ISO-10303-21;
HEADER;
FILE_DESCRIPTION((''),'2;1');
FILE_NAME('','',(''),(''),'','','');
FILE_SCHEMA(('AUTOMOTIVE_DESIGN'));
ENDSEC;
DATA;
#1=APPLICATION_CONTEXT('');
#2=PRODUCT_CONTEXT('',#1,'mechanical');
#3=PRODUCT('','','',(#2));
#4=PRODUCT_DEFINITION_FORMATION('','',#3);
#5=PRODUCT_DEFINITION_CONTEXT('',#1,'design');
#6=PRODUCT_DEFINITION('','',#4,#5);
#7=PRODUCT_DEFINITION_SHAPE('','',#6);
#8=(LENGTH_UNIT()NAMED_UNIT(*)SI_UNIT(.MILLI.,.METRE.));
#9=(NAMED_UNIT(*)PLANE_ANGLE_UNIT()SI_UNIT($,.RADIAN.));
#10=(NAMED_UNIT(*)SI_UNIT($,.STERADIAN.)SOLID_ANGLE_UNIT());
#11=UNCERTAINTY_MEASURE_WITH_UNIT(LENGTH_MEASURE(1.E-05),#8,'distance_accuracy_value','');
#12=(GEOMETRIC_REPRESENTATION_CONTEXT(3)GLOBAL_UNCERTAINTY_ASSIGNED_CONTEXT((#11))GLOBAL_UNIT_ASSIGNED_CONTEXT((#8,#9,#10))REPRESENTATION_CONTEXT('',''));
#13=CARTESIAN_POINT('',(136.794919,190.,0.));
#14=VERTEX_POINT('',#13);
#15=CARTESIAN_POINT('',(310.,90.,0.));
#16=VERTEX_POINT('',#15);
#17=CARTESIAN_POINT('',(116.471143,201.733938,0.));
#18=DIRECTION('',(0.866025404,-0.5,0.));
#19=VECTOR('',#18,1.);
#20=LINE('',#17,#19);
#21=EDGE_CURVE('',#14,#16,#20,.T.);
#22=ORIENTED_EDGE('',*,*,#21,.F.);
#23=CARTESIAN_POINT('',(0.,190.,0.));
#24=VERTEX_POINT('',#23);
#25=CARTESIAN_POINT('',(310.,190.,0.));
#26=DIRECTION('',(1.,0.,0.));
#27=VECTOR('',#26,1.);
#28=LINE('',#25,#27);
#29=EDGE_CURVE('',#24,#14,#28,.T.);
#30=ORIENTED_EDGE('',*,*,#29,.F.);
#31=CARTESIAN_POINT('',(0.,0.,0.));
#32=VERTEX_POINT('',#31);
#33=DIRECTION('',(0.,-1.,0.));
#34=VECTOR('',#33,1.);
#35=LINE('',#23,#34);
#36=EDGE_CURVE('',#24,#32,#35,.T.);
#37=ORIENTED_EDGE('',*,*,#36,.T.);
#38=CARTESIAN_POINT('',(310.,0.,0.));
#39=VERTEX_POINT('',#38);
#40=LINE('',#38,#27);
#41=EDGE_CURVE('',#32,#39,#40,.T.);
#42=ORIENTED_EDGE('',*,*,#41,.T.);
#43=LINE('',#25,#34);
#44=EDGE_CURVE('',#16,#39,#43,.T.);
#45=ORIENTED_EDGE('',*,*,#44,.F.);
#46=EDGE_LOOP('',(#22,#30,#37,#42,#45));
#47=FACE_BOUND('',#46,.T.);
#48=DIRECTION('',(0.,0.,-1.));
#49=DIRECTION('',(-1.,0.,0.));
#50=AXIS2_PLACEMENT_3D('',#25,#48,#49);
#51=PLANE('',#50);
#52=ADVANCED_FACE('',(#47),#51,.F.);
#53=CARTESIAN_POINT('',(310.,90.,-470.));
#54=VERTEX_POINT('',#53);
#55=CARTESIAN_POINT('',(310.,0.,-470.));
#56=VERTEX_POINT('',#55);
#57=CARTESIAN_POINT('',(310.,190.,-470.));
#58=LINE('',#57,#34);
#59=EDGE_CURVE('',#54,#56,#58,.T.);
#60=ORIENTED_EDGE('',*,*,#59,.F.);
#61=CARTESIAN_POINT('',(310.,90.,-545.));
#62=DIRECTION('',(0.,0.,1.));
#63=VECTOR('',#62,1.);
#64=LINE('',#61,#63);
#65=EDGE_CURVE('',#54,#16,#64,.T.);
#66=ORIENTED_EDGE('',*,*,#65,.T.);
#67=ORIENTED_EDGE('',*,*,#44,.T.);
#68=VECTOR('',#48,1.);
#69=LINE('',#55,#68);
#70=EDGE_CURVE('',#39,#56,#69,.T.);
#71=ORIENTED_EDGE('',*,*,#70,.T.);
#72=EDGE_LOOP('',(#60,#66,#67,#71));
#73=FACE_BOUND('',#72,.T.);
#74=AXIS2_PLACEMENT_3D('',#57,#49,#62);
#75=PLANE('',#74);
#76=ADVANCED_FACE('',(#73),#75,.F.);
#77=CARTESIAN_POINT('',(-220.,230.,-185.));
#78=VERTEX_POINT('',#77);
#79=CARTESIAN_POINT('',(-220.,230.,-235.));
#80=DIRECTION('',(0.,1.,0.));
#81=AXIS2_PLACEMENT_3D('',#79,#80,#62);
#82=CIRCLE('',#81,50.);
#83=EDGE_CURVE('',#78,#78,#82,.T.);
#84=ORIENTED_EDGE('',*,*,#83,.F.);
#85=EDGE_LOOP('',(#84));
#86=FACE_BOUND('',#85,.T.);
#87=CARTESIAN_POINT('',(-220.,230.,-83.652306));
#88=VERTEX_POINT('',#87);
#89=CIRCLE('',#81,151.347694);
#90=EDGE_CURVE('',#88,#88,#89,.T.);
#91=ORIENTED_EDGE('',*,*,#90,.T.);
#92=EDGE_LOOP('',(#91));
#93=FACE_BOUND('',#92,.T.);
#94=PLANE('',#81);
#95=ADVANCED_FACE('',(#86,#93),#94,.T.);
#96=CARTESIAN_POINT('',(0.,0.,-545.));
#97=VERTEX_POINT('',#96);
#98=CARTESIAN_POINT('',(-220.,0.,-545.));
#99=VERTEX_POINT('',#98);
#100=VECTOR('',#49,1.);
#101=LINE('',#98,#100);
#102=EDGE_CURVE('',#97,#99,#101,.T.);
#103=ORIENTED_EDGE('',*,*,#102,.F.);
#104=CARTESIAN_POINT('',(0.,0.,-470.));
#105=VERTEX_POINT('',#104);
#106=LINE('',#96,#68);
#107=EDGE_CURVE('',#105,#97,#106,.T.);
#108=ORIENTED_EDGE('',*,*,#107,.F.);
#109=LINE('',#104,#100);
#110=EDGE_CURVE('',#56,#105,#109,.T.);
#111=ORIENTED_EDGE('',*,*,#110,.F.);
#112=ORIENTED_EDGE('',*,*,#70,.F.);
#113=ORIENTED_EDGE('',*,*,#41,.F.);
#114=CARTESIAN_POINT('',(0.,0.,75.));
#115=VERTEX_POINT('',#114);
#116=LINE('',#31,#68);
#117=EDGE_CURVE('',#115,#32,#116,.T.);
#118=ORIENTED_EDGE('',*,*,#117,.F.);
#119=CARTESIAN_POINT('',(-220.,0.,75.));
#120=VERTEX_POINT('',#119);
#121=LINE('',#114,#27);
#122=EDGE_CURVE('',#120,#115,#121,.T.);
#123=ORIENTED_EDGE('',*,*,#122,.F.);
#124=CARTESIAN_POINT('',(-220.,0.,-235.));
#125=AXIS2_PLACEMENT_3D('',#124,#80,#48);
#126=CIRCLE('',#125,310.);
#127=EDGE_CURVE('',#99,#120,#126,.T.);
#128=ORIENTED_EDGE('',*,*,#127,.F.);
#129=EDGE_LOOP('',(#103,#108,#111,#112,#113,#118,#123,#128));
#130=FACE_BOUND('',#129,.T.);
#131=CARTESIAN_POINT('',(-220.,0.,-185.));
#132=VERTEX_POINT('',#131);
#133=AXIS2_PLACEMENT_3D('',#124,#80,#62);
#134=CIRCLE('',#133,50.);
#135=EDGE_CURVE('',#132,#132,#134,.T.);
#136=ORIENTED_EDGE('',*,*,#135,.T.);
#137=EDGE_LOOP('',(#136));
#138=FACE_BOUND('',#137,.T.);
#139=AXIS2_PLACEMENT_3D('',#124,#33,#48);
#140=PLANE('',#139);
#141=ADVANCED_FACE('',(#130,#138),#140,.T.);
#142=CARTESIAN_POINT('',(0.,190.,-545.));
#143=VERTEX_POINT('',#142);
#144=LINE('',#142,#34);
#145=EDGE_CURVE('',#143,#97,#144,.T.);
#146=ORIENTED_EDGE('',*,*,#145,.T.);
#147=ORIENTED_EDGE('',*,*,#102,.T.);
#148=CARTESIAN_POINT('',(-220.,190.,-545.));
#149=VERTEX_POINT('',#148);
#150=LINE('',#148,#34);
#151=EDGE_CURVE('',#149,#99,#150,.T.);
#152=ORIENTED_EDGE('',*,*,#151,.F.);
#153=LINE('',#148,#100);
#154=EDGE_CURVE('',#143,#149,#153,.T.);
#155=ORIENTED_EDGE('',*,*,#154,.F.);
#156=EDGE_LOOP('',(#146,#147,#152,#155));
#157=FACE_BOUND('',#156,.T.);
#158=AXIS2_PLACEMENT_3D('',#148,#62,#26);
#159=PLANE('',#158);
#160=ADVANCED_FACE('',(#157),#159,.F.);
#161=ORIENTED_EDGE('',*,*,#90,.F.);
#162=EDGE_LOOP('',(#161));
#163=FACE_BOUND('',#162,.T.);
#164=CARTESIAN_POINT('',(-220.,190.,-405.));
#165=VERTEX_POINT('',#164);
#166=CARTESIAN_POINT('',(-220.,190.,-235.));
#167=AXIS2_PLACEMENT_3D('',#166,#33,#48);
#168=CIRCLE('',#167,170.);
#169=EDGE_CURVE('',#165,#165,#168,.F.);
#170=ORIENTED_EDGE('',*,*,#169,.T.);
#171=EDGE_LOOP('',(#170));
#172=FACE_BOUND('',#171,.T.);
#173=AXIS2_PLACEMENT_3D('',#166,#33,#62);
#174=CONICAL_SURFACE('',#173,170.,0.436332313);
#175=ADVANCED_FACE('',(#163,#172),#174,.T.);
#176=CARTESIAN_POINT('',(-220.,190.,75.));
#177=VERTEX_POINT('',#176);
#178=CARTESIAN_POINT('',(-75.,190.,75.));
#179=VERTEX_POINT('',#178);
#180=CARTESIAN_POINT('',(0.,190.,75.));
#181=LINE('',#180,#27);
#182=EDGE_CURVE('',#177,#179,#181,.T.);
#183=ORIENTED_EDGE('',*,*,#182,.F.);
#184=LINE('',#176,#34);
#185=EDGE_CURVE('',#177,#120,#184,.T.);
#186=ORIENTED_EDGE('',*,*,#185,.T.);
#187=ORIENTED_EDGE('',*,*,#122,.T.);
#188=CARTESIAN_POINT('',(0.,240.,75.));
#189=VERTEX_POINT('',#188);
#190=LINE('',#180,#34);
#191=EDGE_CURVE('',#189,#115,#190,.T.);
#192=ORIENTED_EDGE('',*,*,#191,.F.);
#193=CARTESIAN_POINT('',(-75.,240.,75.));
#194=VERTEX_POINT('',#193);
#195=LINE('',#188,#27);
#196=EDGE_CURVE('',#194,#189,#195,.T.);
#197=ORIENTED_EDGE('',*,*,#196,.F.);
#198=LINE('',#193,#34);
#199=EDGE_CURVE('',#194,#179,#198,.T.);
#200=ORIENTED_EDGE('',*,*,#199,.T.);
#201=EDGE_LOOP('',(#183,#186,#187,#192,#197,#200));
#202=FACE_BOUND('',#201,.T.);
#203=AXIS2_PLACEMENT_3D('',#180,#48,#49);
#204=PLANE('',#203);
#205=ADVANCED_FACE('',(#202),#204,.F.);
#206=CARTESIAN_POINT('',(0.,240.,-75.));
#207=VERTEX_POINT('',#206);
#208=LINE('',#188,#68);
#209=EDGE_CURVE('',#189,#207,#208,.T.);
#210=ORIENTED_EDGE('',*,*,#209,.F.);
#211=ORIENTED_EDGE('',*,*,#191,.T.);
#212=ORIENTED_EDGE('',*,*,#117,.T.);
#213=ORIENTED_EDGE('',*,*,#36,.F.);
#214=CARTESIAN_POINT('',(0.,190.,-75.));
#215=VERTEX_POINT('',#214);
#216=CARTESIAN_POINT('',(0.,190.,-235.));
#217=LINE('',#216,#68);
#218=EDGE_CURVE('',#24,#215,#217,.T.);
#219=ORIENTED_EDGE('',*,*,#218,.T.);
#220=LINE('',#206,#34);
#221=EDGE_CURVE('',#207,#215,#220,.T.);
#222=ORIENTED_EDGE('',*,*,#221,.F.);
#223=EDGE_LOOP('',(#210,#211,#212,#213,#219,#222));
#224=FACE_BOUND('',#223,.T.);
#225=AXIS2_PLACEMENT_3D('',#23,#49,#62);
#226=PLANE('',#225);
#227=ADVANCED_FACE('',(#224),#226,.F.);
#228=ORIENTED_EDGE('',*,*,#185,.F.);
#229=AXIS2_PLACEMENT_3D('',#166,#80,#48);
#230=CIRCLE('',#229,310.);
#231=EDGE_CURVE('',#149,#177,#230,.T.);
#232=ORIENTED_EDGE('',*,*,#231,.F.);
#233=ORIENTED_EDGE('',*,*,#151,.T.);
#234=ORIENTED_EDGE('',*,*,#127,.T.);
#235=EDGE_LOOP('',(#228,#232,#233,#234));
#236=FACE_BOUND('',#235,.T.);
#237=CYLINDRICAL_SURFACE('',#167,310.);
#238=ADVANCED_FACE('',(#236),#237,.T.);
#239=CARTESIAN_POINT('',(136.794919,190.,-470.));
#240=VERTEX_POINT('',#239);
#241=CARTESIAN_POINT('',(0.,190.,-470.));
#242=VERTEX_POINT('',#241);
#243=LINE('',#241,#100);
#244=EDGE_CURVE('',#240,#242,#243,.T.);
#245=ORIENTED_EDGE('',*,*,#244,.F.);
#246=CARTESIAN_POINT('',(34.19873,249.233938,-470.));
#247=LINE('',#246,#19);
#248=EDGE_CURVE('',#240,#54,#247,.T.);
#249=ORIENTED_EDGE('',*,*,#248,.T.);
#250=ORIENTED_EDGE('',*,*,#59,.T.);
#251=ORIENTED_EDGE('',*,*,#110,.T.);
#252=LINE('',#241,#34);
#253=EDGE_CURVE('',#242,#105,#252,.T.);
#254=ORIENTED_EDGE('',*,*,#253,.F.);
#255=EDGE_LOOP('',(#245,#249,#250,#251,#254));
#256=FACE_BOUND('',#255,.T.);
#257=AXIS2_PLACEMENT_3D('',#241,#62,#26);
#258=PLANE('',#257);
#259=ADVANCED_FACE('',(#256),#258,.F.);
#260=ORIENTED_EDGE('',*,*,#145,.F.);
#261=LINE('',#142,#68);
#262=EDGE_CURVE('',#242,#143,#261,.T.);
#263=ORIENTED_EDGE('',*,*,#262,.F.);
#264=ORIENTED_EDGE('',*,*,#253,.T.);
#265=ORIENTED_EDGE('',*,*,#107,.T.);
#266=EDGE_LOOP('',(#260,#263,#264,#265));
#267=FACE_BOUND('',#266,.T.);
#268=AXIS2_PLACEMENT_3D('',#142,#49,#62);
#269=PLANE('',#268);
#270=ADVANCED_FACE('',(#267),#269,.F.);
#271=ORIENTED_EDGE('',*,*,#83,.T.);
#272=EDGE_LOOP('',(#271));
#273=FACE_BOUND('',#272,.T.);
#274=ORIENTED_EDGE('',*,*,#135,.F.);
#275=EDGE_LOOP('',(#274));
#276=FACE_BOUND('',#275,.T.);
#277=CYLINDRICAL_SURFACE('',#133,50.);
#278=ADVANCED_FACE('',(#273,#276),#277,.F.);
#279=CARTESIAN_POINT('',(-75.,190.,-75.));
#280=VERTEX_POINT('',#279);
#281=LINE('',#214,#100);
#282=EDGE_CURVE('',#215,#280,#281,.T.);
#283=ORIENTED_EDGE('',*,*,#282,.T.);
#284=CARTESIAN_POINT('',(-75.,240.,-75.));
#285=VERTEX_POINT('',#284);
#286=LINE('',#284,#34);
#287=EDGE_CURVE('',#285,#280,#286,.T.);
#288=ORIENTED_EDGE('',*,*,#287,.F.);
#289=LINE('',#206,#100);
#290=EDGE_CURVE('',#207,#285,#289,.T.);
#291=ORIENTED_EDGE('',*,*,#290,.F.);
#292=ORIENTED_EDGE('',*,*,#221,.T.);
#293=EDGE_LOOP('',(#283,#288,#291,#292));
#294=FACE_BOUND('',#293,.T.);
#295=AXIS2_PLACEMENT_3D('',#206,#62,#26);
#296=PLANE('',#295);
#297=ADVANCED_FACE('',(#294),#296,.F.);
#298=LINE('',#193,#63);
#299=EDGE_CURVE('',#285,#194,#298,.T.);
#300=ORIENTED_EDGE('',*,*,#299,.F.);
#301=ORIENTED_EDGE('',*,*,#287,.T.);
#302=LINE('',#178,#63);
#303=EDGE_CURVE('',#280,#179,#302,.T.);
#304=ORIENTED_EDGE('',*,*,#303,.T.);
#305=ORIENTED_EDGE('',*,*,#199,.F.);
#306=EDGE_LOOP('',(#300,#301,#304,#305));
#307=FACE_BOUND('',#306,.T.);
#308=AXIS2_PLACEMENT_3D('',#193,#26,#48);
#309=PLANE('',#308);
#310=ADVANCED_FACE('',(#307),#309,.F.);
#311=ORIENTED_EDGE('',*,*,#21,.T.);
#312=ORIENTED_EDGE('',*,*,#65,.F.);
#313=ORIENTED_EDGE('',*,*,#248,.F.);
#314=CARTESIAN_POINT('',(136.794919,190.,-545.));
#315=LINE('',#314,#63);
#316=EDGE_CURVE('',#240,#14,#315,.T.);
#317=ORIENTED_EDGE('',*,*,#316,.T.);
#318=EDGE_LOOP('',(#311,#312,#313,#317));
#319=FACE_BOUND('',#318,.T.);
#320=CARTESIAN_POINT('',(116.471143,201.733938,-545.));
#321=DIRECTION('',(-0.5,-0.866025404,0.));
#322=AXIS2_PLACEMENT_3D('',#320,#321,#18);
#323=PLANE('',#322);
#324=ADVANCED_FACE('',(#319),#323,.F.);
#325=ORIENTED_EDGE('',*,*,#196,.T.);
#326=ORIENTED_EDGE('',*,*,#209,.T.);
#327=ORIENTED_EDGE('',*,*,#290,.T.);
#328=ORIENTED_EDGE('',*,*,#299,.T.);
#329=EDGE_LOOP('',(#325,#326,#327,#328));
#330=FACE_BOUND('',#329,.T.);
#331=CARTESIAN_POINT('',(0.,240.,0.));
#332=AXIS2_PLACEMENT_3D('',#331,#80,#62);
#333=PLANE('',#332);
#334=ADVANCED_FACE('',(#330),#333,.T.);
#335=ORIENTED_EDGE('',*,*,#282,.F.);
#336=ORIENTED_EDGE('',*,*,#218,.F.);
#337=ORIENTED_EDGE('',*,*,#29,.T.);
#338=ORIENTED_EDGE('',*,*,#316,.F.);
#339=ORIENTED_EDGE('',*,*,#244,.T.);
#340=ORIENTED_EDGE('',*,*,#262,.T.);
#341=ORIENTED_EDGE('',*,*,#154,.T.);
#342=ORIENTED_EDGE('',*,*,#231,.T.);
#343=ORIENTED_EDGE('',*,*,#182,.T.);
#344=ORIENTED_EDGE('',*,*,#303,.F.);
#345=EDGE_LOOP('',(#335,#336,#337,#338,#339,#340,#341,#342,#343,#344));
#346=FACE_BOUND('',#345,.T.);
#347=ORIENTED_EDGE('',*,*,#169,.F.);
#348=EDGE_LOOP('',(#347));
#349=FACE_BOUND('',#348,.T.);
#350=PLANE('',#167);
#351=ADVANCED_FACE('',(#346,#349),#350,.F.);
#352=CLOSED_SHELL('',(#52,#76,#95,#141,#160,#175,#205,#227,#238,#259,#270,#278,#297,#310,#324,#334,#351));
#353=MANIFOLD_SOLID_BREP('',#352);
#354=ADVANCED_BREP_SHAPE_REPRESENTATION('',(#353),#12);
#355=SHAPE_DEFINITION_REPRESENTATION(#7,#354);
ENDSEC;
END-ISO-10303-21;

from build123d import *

# Parameters (mm, degrees)
BOSS_EXTRUDE1_DEPTH = 190
SKETCH2_R           = 170
BOSS_EXTRUDE2_DEPTH = 40
BOSS_EXTRUDE2_TAPER = 25
SKETCH3_W           = 75
SKETCH3_H           = 150
BOSS_EXTRUDE3_DEPTH = 50
SKETCH4_R           = 50
CUT_EXTRUDE1_DEPTH  = 795.244924441
CUT_EXTRUDE2_DEPTH  = 798.198218764


with BuildPart() as part:
    # Sketch1 → Boss-Extrude1 (new body)
    with BuildSketch(Plane(origin=(0, 0, 0), x_dir=(1, 0, 0), z_dir=(0, 1, 0))):
        with BuildLine():
            Line((0, 0), (0, -75))
            Line((0, -75), (-220, -75))
            ThreePointArc((-220, -75), (-530, 235), (-220, 545))
            Line((-220, 545), (0, 545))
            Line((0, 545), (0, 470))
            Line((0, 470), (310, 470))
            Line((310, 470), (310, 0))
            Line((310, 0), (0, 0))
        make_face()
    extrude(amount=BOSS_EXTRUDE1_DEPTH)

    # Sketch2 → Boss-Extrude2 (add)
    with BuildSketch(Plane(origin=(0, 190, 0), x_dir=(1, 0, 0), z_dir=(0, 1, 0))):
        with Locations((-220, 235)):
            Circle(SKETCH2_R)
    extrude(amount=BOSS_EXTRUDE2_DEPTH, taper=BOSS_EXTRUDE2_TAPER)

    # Sketch3 → Boss-Extrude3 (add)
    with BuildSketch(Plane(origin=(0, 190, 0), x_dir=(1, 0, 0), z_dir=(0, 1, 0))):
        with Locations((-37.5, 0)):
            Rectangle(SKETCH3_W, SKETCH3_H)
    extrude(amount=BOSS_EXTRUDE3_DEPTH)

    # Sketch4 → Cut-Extrude1 (cut, through all)
    with BuildSketch(Plane(origin=(0, 230, 0), x_dir=(1, 0, 0), z_dir=(0, 1, 0))):
        with Locations(Location((-220, 235, 0), (0, 0, 270))):
            Circle(SKETCH4_R)
    extrude(amount=-CUT_EXTRUDE1_DEPTH, mode=Mode.SUBTRACT)

    # Sketch5 → Cut-Extrude2 (cut, through all)
    with BuildSketch(Plane.XY):
        Polygon((310, 190), (136.794919243, 190), (310, 90), align=None)
    extrude(amount=-CUT_EXTRUDE2_DEPTH, mode=Mode.SUBTRACT)


solid = part.part
